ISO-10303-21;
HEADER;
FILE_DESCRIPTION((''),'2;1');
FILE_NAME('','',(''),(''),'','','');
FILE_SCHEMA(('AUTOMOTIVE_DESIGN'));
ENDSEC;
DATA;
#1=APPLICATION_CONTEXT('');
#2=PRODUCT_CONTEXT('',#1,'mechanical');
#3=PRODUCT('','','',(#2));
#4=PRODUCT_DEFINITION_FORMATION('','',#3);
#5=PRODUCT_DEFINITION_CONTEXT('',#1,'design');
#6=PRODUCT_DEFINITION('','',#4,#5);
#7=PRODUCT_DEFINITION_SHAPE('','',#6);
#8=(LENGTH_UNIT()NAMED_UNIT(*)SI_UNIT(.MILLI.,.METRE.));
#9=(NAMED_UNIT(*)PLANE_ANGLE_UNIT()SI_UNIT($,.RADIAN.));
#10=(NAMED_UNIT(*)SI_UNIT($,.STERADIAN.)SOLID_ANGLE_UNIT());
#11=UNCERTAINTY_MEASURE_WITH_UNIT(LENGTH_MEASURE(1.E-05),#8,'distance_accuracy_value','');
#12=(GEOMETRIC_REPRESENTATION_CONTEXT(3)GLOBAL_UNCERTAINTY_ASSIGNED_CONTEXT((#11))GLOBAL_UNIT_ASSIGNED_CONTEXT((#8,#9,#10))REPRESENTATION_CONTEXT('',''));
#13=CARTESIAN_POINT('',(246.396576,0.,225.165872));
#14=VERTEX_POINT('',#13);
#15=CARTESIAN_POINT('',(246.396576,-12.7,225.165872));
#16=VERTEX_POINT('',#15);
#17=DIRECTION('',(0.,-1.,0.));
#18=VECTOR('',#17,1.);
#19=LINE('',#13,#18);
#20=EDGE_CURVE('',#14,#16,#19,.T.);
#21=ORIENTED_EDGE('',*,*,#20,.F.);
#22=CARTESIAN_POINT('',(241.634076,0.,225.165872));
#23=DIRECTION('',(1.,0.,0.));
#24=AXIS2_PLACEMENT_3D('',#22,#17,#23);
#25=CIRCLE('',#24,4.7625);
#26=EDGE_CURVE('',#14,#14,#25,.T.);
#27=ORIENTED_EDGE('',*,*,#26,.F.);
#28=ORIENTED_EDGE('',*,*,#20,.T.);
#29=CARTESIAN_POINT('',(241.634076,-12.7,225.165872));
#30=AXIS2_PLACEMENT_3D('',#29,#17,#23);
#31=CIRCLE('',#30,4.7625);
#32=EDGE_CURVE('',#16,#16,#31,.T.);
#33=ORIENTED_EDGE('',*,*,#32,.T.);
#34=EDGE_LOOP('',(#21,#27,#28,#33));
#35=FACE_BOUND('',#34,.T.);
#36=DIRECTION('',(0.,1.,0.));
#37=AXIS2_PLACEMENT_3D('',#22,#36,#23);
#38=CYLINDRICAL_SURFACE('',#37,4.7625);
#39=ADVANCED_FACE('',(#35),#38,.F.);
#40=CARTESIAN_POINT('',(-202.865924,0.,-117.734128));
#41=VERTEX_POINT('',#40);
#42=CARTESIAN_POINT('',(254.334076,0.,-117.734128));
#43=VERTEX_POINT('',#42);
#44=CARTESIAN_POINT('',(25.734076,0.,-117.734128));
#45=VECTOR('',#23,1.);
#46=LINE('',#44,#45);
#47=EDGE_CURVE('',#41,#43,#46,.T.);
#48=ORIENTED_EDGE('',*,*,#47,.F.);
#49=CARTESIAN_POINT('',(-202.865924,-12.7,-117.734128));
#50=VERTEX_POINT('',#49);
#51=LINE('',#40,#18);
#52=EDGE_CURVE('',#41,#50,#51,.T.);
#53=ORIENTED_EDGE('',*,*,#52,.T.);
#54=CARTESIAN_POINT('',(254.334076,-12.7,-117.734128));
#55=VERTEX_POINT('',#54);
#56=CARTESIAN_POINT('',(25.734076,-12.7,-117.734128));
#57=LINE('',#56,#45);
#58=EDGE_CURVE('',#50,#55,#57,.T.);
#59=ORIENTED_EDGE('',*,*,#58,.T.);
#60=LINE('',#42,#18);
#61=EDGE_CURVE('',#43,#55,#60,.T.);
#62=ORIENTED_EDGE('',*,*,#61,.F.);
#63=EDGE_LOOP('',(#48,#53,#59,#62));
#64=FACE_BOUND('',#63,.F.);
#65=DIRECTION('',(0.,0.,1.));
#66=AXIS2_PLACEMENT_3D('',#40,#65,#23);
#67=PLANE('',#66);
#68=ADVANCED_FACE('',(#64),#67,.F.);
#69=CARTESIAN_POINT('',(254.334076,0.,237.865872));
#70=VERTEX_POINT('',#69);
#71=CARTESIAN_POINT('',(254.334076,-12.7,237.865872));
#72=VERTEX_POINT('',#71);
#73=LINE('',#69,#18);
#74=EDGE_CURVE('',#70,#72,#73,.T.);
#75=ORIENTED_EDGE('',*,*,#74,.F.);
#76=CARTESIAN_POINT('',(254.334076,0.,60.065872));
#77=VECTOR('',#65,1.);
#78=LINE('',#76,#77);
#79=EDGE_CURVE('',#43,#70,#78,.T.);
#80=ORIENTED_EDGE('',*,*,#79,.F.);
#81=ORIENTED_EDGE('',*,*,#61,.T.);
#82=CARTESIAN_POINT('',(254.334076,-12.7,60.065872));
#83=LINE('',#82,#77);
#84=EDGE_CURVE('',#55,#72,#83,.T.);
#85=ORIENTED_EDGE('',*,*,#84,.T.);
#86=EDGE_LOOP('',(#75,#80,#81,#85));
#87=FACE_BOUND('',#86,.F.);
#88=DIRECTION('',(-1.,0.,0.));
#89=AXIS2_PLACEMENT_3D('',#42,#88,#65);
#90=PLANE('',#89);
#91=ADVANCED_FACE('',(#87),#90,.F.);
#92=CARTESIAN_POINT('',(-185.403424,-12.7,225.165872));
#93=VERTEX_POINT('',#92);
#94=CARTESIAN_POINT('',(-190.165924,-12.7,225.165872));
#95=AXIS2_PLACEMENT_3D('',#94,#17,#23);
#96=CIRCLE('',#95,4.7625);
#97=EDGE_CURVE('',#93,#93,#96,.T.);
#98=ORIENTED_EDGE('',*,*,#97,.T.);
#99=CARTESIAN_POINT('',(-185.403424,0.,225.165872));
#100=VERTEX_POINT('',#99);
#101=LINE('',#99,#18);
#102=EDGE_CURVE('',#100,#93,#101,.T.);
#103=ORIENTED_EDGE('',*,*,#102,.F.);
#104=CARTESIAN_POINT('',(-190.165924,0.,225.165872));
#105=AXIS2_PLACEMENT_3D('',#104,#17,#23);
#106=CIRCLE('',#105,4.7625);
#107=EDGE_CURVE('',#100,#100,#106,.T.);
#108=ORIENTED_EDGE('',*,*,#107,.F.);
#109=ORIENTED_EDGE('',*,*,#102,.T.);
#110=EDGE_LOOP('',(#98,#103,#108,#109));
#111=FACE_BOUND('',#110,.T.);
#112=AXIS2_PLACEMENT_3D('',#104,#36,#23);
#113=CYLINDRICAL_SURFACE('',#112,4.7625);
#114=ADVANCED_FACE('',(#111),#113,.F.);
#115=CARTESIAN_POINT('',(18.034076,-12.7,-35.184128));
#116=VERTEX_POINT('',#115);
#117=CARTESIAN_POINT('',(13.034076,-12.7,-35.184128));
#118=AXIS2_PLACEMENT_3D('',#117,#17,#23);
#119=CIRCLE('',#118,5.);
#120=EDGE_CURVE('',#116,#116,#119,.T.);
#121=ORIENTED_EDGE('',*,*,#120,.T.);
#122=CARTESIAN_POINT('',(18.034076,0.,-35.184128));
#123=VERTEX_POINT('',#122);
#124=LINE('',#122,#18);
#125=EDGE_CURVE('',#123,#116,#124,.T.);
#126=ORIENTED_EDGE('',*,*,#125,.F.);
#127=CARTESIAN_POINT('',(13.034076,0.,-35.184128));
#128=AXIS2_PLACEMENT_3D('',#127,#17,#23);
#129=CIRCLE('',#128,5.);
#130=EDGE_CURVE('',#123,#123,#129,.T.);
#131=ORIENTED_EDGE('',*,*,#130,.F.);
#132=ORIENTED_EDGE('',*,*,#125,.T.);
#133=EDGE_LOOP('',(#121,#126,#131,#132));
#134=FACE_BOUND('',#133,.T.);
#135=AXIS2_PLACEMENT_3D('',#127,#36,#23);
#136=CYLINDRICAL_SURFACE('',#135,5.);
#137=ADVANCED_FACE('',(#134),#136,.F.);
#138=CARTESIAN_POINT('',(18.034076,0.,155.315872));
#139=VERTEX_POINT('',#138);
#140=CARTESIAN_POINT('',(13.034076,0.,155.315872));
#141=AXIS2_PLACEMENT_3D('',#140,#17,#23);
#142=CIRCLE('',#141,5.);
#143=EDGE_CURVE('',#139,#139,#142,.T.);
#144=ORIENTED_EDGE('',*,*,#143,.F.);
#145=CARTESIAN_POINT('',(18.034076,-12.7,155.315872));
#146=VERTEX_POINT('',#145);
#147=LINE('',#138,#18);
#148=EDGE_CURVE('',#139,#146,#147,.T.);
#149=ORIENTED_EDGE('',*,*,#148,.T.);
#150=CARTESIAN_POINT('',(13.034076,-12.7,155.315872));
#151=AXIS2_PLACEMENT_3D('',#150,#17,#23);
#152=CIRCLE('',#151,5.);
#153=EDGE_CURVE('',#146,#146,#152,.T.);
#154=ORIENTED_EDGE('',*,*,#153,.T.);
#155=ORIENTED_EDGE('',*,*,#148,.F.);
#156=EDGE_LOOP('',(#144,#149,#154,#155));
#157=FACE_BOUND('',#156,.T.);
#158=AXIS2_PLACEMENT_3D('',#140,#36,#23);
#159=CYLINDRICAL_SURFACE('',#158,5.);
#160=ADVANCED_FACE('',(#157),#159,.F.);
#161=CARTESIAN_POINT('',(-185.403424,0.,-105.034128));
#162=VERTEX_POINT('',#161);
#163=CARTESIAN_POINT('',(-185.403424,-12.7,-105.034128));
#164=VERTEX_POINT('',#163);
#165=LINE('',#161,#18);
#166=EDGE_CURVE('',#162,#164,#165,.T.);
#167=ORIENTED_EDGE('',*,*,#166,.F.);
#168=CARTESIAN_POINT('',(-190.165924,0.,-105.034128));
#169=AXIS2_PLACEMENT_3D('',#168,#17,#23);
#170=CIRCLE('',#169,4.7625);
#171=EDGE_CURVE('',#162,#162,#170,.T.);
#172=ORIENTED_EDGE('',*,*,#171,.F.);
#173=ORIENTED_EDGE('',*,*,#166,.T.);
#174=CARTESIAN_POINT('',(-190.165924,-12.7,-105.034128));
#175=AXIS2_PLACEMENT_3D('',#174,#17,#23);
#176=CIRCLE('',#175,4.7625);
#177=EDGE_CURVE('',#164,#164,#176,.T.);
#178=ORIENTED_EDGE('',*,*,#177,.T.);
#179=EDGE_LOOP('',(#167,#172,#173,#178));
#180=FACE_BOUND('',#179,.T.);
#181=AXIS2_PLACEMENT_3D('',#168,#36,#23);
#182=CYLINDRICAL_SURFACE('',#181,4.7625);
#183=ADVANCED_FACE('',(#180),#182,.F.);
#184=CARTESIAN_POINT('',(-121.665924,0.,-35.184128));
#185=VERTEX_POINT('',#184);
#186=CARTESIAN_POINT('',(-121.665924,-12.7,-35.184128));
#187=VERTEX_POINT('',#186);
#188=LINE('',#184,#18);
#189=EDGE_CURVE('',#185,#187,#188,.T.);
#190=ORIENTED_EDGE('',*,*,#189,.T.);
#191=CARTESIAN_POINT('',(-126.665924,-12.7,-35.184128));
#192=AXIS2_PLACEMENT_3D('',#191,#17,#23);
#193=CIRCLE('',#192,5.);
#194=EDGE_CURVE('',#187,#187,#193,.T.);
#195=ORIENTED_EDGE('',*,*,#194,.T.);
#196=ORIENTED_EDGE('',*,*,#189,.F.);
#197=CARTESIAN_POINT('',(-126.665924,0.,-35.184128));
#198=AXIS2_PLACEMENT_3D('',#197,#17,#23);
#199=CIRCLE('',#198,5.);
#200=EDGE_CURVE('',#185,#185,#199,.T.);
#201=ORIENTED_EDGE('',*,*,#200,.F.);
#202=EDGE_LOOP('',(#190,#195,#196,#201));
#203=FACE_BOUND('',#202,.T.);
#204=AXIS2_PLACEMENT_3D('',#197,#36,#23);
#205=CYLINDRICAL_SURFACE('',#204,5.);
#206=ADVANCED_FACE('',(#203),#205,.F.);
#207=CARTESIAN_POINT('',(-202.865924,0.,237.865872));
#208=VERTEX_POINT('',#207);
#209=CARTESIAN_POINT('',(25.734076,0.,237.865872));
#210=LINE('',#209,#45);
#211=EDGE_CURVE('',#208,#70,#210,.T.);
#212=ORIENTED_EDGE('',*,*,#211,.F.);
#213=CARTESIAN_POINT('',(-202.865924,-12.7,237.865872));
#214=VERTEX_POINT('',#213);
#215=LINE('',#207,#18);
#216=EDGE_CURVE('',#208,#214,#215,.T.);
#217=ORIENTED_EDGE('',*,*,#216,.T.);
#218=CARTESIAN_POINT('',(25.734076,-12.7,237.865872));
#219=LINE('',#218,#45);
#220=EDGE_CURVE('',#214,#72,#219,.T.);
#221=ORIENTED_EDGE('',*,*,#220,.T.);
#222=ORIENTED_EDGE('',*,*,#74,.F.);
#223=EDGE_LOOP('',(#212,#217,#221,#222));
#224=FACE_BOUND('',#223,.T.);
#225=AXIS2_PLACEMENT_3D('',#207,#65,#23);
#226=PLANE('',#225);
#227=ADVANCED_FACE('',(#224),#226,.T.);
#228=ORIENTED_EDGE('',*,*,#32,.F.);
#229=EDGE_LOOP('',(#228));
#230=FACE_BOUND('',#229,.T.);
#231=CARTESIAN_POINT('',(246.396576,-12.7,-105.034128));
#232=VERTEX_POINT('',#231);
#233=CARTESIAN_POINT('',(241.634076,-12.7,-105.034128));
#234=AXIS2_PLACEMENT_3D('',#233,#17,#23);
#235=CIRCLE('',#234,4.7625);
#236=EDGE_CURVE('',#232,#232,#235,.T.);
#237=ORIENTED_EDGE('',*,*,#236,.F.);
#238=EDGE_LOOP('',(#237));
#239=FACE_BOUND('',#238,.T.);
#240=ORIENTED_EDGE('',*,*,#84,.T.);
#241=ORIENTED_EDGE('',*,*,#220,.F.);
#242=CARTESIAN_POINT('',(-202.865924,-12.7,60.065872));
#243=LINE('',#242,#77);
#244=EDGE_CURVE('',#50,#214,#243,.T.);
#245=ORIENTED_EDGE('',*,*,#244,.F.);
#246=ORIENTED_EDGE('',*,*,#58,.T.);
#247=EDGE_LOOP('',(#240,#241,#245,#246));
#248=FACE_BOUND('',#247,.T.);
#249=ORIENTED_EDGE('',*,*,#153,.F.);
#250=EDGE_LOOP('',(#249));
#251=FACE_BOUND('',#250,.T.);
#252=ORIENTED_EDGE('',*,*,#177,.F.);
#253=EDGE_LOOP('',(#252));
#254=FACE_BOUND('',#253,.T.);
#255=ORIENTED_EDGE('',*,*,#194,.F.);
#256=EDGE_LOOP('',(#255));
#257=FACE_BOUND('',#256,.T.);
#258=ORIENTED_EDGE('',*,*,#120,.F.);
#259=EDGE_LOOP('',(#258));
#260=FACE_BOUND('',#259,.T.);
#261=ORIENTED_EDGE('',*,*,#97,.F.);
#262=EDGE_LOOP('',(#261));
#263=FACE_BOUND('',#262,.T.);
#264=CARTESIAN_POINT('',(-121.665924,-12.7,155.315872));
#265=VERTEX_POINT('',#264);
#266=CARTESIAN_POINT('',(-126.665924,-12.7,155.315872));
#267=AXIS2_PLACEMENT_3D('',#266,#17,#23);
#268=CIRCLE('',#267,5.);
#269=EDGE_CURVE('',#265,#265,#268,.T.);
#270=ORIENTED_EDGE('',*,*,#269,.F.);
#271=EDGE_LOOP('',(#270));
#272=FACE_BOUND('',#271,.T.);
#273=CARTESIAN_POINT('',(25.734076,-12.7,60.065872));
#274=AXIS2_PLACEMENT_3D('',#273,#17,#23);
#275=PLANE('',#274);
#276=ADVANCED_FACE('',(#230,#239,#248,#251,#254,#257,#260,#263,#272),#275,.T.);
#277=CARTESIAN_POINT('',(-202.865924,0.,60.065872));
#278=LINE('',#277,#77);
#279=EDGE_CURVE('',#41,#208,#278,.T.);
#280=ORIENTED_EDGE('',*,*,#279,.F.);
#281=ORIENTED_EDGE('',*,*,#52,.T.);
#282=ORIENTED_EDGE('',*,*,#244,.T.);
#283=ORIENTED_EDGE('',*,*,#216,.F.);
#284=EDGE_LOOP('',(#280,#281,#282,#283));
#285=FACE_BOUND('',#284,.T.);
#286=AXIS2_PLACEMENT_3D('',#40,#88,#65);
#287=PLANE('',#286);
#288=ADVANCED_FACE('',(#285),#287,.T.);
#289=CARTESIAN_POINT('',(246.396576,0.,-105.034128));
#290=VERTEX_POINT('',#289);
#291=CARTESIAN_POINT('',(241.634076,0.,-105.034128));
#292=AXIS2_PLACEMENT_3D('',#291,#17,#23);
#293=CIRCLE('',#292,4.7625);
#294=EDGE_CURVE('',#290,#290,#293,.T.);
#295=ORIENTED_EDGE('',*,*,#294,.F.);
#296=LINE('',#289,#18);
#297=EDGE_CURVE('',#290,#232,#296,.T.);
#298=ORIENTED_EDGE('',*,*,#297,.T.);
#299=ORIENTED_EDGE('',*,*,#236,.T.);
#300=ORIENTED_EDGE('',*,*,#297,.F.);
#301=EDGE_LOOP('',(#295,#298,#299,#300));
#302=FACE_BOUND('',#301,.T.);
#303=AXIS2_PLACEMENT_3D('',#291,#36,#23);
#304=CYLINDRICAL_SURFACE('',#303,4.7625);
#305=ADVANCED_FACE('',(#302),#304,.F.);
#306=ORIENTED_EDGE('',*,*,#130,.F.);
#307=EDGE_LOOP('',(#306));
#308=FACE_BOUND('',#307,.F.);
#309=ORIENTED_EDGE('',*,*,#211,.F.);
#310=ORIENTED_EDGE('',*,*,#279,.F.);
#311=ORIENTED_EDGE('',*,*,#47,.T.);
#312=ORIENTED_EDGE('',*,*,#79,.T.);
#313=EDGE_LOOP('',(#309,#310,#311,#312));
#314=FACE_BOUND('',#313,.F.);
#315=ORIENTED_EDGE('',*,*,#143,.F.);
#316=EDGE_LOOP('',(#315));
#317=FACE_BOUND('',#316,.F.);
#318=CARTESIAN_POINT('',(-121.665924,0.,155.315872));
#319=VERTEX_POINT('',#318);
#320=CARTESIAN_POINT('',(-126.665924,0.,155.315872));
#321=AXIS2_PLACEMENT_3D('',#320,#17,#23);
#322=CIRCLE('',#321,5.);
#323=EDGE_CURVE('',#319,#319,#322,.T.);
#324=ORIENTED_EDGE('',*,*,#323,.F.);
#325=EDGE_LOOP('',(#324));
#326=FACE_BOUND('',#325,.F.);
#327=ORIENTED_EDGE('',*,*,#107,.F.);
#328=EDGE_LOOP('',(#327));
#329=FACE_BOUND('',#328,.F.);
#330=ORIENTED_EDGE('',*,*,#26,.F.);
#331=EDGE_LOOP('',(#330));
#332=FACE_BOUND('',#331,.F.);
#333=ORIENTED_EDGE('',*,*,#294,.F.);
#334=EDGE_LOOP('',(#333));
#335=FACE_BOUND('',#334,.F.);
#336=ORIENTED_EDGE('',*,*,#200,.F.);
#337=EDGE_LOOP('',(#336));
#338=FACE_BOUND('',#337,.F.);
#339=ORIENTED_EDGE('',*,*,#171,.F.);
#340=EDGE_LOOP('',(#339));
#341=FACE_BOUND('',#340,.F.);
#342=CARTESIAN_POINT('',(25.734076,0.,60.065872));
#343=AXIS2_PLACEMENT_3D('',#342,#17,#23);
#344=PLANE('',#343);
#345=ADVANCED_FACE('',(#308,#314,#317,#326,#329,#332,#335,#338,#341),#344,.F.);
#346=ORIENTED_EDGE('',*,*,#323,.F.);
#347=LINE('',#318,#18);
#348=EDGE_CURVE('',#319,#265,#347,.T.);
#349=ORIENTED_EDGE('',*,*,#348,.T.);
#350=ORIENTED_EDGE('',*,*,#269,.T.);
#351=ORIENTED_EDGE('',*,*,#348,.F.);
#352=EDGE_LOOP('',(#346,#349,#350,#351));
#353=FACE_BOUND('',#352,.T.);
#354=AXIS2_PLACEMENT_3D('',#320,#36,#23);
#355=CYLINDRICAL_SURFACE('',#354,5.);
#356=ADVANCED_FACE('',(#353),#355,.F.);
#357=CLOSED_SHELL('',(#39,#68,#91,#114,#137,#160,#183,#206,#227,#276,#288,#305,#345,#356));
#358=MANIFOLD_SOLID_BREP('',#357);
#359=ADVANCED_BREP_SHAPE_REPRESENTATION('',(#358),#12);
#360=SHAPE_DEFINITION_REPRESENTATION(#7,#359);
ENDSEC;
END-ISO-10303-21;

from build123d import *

# Parameters (mm, degrees)
F0_W     = 457.2
F0_H     = 355.6
F0_R     = 4.7625
F0_R_2   = 5
F1_DEPTH = 12.7


with BuildPart() as f1:
    # F0 (on Front) → F1 (new body)
    with BuildSketch(Plane.XZ):
        with Locations((25.734076, 60.065872)):
            Rectangle(F0_W, F0_H)
        with Locations((-190.165924, -105.034128)):
            Circle(F0_R, mode=Mode.SUBTRACT)
        with Locations((-126.665924, -35.184128)):
            Circle(F0_R_2, mode=Mode.SUBTRACT)
        with Locations((13.034076, -35.184128)):
            Circle(F0_R_2, mode=Mode.SUBTRACT)
        with Locations((241.634076, -105.034128)):
            Circle(F0_R, mode=Mode.SUBTRACT)
        with Locations((-126.665924, 155.315872)):
            Circle(F0_R_2, mode=Mode.SUBTRACT)
        with Locations((-190.165924, 225.165872)):
            Circle(F0_R, mode=Mode.SUBTRACT)
        with Locations((13.034076, 155.315872)):
            Circle(F0_R_2, mode=Mode.SUBTRACT)
        with Locations((241.634076, 225.165872)):
            Circle(F0_R, mode=Mode.SUBTRACT)
    extrude(amount=F1_DEPTH)


solid = f1.part
